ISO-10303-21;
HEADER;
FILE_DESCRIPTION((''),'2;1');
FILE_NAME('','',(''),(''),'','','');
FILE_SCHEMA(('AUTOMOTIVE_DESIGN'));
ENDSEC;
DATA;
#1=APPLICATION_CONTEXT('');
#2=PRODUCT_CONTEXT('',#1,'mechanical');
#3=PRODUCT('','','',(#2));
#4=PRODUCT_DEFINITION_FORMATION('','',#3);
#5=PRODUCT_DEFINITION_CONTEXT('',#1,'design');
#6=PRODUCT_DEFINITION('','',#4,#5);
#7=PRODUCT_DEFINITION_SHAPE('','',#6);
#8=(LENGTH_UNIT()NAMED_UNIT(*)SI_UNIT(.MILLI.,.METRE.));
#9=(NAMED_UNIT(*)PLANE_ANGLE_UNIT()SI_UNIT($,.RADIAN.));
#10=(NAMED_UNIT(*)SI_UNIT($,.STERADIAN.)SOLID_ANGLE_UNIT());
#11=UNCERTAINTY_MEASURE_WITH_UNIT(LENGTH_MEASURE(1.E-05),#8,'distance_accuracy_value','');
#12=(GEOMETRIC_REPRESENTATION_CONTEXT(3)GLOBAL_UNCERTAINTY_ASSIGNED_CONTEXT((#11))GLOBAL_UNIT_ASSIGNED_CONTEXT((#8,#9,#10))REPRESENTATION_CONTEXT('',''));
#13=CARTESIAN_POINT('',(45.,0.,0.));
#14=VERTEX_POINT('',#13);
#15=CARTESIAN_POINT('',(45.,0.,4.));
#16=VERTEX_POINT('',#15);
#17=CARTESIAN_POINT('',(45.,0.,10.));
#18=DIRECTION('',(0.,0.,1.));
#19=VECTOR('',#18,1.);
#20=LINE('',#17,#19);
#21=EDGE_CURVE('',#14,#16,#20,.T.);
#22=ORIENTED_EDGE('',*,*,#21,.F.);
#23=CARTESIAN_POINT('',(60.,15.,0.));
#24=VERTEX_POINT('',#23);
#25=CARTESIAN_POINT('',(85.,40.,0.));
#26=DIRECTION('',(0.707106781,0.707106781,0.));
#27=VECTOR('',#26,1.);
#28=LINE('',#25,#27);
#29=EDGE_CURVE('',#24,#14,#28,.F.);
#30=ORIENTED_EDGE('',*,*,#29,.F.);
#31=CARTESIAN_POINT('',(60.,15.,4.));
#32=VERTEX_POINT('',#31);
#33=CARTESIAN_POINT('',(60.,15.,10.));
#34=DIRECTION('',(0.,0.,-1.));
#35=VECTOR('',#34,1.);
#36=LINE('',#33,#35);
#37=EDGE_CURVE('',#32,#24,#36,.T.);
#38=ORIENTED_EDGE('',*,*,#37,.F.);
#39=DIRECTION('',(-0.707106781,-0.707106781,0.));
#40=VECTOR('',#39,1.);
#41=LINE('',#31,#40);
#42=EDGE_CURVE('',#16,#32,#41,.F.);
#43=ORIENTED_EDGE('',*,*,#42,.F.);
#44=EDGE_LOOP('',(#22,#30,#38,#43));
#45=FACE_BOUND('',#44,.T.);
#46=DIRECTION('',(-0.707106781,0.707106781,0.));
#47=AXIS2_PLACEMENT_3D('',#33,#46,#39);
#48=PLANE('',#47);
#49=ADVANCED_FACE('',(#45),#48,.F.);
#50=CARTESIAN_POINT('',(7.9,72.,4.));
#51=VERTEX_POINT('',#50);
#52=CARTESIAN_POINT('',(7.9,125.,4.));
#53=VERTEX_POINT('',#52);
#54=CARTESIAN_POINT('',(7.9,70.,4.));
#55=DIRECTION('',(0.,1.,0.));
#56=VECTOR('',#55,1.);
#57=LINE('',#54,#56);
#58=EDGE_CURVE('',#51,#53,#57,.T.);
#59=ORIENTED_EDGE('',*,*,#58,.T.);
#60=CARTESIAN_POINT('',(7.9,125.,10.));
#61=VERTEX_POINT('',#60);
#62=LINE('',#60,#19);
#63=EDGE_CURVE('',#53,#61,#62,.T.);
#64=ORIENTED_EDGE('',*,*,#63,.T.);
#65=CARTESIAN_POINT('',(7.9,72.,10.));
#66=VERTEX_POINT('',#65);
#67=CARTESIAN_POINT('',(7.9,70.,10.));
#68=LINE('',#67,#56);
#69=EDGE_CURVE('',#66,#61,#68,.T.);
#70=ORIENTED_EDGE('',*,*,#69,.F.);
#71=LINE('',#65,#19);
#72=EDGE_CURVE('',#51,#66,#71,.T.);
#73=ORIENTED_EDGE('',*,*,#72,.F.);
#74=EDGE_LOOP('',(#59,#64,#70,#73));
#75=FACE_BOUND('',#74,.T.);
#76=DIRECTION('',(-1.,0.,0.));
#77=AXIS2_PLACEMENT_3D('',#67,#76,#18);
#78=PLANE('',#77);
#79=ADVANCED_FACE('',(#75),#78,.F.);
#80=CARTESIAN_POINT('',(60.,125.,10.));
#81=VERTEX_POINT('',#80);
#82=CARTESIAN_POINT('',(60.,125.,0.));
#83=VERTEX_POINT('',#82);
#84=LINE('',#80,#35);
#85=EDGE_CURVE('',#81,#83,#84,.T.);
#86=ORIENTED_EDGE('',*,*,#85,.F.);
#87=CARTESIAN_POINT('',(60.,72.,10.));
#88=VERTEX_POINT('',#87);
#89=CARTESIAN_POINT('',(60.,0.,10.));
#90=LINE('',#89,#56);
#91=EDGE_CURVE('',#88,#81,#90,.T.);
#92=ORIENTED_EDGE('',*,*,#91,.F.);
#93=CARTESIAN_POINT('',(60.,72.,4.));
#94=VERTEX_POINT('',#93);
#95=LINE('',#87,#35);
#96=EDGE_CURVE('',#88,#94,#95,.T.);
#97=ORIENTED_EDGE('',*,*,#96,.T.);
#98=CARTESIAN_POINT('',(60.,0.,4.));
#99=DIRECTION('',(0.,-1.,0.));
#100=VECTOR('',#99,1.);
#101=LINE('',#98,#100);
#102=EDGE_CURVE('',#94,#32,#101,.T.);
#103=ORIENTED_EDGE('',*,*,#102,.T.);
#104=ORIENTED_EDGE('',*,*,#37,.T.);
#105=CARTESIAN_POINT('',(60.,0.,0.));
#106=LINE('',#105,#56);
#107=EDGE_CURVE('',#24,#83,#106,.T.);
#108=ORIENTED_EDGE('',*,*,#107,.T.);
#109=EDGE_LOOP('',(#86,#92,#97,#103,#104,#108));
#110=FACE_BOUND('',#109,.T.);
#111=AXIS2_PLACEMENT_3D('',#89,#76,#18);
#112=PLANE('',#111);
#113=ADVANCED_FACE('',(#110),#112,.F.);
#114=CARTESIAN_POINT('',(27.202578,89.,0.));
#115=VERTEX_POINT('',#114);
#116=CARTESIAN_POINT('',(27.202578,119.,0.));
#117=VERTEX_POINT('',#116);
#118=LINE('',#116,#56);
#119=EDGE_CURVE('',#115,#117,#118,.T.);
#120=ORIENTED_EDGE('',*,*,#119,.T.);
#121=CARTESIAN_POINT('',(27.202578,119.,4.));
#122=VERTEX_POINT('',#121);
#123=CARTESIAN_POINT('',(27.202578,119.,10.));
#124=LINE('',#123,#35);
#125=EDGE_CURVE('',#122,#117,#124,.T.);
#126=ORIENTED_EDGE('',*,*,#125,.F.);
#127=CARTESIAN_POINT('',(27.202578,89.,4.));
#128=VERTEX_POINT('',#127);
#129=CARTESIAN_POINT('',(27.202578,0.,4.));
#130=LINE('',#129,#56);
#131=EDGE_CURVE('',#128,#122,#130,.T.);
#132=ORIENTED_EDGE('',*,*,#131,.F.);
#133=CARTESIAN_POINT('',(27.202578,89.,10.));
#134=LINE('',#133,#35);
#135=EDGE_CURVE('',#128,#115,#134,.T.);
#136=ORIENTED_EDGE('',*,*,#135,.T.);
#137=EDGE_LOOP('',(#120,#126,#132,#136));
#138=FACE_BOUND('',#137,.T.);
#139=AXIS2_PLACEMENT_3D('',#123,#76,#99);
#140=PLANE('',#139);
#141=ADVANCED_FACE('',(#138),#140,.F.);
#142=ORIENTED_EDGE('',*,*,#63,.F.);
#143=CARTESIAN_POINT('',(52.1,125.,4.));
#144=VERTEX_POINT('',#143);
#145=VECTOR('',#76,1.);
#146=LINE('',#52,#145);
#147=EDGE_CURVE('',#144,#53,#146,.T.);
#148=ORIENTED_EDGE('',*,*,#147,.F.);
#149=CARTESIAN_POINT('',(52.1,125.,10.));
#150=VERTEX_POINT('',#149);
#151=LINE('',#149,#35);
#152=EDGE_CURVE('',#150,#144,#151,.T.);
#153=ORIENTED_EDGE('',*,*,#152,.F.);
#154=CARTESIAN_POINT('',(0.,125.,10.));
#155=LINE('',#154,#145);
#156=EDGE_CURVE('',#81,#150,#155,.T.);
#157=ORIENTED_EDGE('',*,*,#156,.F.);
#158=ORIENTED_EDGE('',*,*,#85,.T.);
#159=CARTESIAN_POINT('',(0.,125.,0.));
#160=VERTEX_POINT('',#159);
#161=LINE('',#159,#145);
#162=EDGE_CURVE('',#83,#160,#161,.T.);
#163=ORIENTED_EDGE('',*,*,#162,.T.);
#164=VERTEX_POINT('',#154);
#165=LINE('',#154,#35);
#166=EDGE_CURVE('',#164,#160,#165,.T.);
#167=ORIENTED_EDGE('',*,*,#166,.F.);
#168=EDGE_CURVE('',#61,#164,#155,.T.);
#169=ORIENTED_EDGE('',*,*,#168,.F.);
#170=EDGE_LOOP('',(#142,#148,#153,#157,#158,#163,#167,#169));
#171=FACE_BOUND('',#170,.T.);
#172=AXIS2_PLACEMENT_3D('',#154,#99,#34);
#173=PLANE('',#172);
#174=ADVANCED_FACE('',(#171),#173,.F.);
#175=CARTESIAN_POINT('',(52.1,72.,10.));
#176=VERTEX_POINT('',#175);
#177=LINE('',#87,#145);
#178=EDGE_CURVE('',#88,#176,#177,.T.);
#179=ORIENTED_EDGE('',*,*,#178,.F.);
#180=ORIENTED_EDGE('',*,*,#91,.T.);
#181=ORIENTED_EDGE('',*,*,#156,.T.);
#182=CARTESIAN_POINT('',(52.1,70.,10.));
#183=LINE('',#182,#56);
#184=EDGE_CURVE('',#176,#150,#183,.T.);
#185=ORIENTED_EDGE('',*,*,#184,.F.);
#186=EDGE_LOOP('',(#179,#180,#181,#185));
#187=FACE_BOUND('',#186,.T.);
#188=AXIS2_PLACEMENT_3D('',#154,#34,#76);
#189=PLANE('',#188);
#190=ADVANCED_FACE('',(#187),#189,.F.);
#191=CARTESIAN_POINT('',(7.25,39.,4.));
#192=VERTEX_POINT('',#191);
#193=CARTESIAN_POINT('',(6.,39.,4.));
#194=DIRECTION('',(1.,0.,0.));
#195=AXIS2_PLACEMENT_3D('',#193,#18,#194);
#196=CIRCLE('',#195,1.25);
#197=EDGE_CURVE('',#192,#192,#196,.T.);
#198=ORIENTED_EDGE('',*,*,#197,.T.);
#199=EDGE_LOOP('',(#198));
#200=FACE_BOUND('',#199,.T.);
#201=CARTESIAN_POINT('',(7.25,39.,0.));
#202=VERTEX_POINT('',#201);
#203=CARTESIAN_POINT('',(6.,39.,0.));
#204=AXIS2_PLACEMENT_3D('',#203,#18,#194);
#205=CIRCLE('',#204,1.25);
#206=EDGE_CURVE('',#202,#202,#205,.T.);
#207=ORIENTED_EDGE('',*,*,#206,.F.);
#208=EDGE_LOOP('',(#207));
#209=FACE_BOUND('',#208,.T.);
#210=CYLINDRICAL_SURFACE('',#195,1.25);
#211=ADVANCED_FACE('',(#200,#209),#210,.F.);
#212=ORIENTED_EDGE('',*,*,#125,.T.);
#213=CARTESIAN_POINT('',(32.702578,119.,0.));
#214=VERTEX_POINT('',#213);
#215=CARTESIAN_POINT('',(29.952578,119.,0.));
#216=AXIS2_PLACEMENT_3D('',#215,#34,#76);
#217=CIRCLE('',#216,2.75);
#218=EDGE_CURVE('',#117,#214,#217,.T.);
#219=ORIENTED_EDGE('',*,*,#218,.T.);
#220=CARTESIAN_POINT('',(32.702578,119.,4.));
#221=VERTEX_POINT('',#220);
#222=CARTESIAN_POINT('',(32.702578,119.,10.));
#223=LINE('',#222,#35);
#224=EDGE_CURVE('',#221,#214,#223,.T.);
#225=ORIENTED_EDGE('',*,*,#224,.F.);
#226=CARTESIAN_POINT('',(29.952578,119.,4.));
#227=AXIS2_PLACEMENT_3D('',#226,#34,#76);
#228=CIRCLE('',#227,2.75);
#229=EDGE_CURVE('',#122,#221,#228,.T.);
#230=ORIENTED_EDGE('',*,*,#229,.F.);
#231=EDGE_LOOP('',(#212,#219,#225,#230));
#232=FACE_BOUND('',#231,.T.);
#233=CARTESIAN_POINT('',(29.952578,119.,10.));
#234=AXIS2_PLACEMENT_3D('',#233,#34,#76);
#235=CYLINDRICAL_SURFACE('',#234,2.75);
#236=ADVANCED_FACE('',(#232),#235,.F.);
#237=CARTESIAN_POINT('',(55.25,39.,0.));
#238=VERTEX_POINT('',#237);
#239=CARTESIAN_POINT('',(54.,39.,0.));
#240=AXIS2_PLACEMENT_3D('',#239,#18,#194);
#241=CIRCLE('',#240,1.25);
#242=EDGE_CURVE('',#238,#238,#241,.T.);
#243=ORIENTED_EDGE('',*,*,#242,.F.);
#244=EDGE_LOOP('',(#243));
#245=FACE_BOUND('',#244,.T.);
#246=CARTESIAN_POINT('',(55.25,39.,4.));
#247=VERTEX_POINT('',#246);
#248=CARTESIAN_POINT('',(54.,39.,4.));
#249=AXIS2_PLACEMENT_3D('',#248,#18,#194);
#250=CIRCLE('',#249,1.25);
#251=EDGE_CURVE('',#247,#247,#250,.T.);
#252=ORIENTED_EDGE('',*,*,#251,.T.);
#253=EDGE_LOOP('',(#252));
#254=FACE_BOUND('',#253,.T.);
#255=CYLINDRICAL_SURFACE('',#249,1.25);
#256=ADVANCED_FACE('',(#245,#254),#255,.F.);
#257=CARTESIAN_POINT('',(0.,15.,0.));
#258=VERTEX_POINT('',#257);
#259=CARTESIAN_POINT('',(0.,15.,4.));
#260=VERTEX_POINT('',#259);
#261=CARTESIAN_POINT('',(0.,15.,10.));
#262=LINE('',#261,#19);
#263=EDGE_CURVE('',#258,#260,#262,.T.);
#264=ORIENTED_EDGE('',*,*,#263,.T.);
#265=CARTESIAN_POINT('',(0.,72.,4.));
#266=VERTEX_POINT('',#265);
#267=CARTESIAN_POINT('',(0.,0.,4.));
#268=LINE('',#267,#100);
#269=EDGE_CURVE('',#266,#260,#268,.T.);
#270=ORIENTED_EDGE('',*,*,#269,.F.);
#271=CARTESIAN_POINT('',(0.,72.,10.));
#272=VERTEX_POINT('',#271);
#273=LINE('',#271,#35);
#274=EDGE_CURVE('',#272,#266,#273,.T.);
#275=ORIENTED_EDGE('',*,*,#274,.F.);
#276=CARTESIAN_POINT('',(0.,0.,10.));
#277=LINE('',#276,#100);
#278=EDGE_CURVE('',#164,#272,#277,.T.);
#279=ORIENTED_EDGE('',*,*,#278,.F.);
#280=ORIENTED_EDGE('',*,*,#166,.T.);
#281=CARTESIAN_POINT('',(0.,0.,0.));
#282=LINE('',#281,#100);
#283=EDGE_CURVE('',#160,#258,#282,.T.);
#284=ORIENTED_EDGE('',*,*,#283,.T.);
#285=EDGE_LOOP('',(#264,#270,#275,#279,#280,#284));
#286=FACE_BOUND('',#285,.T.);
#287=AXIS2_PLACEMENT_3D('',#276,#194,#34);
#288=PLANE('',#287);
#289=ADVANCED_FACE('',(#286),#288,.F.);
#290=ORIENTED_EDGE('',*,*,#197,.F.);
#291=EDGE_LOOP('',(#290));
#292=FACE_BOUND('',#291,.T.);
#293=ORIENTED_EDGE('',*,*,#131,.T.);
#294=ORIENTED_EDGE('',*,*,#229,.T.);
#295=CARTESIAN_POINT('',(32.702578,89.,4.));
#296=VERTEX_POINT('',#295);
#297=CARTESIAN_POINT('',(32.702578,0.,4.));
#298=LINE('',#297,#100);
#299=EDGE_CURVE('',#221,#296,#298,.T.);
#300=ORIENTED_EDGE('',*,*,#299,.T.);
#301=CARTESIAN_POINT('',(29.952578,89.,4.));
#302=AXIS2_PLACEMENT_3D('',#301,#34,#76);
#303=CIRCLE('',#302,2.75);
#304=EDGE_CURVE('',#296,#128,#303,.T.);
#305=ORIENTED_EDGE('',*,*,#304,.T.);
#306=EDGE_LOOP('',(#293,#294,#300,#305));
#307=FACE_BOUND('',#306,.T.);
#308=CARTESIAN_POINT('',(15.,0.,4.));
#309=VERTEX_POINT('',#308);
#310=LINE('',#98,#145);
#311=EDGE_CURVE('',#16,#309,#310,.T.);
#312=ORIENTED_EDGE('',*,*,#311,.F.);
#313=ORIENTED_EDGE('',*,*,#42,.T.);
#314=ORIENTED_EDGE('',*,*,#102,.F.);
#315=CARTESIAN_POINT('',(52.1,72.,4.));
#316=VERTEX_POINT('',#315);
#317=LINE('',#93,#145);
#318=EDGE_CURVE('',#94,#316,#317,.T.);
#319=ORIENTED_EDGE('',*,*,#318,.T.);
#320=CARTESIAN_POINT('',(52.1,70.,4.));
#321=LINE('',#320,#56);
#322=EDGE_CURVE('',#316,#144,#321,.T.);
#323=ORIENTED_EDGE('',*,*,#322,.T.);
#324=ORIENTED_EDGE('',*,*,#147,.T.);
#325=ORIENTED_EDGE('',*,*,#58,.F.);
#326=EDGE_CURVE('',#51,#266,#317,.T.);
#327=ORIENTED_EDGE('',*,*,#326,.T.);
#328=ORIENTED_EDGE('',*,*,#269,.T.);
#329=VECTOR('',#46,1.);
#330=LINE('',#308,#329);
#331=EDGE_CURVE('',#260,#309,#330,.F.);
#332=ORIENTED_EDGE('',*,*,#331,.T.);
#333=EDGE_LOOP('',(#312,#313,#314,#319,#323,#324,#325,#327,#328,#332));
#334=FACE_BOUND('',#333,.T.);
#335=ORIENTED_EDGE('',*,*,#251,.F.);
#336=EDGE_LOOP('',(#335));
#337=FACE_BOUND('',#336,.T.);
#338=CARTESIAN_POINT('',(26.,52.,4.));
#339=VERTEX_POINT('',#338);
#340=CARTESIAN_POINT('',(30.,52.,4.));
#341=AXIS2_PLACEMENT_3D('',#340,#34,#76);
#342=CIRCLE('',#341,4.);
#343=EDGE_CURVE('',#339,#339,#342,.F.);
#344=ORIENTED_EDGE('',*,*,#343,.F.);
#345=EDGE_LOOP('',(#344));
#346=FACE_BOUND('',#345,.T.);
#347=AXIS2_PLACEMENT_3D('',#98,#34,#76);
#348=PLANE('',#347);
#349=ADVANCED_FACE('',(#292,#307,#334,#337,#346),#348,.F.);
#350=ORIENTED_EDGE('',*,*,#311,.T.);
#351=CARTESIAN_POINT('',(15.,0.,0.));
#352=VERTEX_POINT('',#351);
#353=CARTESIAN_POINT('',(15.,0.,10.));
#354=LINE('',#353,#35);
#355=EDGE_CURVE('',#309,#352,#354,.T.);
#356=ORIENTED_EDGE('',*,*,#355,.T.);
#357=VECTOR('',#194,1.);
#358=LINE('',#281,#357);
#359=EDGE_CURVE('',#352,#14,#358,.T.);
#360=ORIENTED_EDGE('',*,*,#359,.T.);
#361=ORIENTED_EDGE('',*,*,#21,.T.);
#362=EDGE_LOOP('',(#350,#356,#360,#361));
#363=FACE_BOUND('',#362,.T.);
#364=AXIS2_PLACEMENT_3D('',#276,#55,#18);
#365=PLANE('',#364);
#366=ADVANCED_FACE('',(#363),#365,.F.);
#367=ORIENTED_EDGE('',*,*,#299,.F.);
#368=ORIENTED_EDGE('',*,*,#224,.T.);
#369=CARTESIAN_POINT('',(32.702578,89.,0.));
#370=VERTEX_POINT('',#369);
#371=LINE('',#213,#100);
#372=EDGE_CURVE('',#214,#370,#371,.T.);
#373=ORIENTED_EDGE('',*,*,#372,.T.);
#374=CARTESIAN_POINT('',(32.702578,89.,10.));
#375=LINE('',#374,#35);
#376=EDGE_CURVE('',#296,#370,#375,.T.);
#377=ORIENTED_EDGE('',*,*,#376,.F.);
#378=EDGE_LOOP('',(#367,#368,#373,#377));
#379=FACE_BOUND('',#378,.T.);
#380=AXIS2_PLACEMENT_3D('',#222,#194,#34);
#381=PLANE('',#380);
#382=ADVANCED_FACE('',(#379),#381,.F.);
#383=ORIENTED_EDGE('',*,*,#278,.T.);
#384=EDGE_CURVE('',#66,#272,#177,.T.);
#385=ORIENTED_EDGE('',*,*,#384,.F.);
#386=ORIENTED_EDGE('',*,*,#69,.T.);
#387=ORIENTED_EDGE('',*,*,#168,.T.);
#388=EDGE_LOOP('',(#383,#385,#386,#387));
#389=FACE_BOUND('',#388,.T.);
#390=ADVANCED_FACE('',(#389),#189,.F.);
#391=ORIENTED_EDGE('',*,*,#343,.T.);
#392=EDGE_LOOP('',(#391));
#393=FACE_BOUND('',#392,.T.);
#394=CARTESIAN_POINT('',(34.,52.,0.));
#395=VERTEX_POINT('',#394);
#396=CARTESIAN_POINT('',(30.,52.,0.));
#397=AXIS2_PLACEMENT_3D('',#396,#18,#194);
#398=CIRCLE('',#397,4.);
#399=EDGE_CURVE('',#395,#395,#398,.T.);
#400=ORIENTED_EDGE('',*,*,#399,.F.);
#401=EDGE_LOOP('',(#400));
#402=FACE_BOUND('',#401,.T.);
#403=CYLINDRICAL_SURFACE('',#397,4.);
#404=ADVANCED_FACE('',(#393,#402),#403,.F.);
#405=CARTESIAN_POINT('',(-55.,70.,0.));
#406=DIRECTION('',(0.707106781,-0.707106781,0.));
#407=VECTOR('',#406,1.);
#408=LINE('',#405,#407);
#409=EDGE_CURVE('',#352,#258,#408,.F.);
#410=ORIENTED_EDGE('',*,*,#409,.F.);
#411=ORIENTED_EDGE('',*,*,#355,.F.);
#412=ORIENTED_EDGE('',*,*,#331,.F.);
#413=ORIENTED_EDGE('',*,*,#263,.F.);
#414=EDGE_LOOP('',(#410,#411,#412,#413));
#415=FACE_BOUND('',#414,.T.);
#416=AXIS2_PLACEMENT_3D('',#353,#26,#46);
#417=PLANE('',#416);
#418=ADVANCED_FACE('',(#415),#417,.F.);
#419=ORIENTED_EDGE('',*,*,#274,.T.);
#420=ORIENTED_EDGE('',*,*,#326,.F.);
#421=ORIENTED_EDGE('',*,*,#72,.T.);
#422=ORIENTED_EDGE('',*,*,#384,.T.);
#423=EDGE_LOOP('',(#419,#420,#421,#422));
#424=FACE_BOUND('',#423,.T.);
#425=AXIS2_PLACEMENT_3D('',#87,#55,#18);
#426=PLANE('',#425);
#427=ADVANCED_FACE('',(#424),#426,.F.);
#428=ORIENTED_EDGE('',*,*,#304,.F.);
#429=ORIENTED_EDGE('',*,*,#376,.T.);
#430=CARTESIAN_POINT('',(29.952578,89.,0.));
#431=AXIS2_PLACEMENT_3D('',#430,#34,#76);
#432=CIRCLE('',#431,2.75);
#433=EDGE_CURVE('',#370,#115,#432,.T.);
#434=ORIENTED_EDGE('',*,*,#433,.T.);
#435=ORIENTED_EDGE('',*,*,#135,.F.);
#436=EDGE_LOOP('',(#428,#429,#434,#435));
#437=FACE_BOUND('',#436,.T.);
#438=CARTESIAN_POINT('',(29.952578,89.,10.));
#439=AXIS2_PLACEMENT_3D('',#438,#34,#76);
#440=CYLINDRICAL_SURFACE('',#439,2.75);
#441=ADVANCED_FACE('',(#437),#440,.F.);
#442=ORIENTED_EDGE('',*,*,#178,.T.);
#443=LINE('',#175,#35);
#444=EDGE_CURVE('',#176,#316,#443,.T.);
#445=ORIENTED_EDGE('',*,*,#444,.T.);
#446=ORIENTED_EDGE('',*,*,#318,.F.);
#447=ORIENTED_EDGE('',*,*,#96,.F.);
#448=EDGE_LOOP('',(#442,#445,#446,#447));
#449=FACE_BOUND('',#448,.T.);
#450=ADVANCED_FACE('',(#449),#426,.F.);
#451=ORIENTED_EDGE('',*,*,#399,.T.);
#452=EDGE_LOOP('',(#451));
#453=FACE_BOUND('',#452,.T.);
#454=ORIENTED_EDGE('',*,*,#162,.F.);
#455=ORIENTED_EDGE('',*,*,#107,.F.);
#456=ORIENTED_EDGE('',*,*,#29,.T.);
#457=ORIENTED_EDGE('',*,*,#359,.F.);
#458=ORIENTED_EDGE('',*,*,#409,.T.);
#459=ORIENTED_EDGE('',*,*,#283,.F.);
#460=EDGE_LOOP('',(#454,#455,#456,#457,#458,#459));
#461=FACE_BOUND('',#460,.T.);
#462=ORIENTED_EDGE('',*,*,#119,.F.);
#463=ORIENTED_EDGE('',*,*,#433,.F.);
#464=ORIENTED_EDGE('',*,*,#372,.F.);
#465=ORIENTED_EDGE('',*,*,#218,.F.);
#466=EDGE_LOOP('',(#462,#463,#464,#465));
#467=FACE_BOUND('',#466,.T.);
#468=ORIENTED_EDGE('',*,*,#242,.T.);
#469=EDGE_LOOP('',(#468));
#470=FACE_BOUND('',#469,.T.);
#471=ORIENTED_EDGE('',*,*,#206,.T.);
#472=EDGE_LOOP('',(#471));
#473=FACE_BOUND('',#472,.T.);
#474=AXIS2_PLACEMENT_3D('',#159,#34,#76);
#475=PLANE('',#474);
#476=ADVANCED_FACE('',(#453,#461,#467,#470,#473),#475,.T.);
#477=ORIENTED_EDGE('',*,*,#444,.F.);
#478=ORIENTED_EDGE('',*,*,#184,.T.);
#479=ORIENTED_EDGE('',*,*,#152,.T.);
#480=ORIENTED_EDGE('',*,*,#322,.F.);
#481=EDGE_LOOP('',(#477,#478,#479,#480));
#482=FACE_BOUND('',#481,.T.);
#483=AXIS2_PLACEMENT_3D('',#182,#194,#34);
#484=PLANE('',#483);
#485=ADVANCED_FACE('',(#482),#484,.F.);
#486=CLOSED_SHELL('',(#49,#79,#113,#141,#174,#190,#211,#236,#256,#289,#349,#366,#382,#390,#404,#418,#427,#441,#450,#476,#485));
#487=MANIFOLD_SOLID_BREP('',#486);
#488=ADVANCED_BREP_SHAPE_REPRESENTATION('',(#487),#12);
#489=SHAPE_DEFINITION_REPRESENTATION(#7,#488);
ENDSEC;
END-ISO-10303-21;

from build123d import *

# Parameters (mm, degrees)
ESQUISSE1_W             = 60
ESQUISSE1_H             = 125
BOSS_EXTRU_1_DEPTH      = 10
ESQUISSE2_R             = 4
ENL_V_MAT_EXTRU_1_DEPTH = 11
ESQUISSE4_W             = 6
ESQUISSE4_H             = 72
ENL_V_MAT_EXTRU_2_DEPTH = 61
TROU_TARAUD_M33_D       = 2.5
TROU_TARAUD_M34_D       = 2.5
CHANFREIN1_SIZE         = 15
ESQUISSE15_W            = 44.2
ESQUISSE15_H            = 6
ENL_V_MAT_EXTRU_4_DEPTH = 55
ENL_V_MAT_EXTRU_5_DEPTH = 11


with BuildPart() as part:
    # Esquisse1 → Boss.-Extru.1 (new body)
    with BuildSketch(Plane.XY):
        with Locations((30, 62.5)):
            Rectangle(ESQUISSE1_W, ESQUISSE1_H)
    extrude(amount=BOSS_EXTRU_1_DEPTH)

    # Esquisse2 → Enlèv. mat.-Extru.1 (cut, through all)
    with BuildSketch(Plane.XY.offset(10)):
        with Locations((30, 52)):
            Circle(ESQUISSE2_R)
    extrude(amount=-ENL_V_MAT_EXTRU_1_DEPTH, mode=Mode.SUBTRACT)

    # Esquisse4 → Enlèv. mat.-Extru.2 (cut, through all)
    with BuildSketch(Plane.ZY):
        with Locations((7, 36)):
            Rectangle(ESQUISSE4_W, ESQUISSE4_H)
    extrude(amount=-ENL_V_MAT_EXTRU_2_DEPTH, mode=Mode.SUBTRACT)

    # Trou taraudé M33 (through all)
    with Locations(Plane.XY.offset(4)):
        with Locations((54, 39)):
            Hole(TROU_TARAUD_M33_D / 2)

    # Trou taraudé M34 (through all)
    with Locations(Plane.XY.offset(4)):
        with Locations((6, 39)):
            Hole(TROU_TARAUD_M34_D / 2)

    # Chanfrein1
    chanfrein1_edges = [part.edges().sort_by_distance(p)[0] for p in [
        (60, 0, 2),
        (0, 0, 2),
    ]]
    chamfer(chanfrein1_edges, length=CHANFREIN1_SIZE)

    # Esquisse15 → Enlèv. mat.-Extru.4 (cut)
    with BuildSketch(Plane(origin=(0, 125, 0), x_dir=(1, 0, 0), z_dir=(0, 1, 0))):
        with Locations((30, -7)):
            Rectangle(ESQUISSE15_W, ESQUISSE15_H)
    extrude(amount=-ENL_V_MAT_EXTRU_4_DEPTH, mode=Mode.SUBTRACT)

    # Esquisse16 → Enlèv. mat.-Extru.5 (cut, through all)
    with BuildSketch(Plane(origin=(0, 0, 0), x_dir=(-1, 0, 0), z_dir=(0, 0, -1))):
        with BuildLine():
            Line((-27.202577742, 119), (-27.202577742, 89))
            ThreePointArc((-27.202577742, 89), (-29.952577742, 86.25), (-32.702577742, 89))
            Line((-32.702577742, 89), (-32.702577742, 119))
            ThreePointArc((-32.702577742, 119), (-29.952577742, 121.75), (-27.202577742, 119))
        make_face()
    extrude(amount=-ENL_V_MAT_EXTRU_5_DEPTH, mode=Mode.SUBTRACT)


solid = part.part
